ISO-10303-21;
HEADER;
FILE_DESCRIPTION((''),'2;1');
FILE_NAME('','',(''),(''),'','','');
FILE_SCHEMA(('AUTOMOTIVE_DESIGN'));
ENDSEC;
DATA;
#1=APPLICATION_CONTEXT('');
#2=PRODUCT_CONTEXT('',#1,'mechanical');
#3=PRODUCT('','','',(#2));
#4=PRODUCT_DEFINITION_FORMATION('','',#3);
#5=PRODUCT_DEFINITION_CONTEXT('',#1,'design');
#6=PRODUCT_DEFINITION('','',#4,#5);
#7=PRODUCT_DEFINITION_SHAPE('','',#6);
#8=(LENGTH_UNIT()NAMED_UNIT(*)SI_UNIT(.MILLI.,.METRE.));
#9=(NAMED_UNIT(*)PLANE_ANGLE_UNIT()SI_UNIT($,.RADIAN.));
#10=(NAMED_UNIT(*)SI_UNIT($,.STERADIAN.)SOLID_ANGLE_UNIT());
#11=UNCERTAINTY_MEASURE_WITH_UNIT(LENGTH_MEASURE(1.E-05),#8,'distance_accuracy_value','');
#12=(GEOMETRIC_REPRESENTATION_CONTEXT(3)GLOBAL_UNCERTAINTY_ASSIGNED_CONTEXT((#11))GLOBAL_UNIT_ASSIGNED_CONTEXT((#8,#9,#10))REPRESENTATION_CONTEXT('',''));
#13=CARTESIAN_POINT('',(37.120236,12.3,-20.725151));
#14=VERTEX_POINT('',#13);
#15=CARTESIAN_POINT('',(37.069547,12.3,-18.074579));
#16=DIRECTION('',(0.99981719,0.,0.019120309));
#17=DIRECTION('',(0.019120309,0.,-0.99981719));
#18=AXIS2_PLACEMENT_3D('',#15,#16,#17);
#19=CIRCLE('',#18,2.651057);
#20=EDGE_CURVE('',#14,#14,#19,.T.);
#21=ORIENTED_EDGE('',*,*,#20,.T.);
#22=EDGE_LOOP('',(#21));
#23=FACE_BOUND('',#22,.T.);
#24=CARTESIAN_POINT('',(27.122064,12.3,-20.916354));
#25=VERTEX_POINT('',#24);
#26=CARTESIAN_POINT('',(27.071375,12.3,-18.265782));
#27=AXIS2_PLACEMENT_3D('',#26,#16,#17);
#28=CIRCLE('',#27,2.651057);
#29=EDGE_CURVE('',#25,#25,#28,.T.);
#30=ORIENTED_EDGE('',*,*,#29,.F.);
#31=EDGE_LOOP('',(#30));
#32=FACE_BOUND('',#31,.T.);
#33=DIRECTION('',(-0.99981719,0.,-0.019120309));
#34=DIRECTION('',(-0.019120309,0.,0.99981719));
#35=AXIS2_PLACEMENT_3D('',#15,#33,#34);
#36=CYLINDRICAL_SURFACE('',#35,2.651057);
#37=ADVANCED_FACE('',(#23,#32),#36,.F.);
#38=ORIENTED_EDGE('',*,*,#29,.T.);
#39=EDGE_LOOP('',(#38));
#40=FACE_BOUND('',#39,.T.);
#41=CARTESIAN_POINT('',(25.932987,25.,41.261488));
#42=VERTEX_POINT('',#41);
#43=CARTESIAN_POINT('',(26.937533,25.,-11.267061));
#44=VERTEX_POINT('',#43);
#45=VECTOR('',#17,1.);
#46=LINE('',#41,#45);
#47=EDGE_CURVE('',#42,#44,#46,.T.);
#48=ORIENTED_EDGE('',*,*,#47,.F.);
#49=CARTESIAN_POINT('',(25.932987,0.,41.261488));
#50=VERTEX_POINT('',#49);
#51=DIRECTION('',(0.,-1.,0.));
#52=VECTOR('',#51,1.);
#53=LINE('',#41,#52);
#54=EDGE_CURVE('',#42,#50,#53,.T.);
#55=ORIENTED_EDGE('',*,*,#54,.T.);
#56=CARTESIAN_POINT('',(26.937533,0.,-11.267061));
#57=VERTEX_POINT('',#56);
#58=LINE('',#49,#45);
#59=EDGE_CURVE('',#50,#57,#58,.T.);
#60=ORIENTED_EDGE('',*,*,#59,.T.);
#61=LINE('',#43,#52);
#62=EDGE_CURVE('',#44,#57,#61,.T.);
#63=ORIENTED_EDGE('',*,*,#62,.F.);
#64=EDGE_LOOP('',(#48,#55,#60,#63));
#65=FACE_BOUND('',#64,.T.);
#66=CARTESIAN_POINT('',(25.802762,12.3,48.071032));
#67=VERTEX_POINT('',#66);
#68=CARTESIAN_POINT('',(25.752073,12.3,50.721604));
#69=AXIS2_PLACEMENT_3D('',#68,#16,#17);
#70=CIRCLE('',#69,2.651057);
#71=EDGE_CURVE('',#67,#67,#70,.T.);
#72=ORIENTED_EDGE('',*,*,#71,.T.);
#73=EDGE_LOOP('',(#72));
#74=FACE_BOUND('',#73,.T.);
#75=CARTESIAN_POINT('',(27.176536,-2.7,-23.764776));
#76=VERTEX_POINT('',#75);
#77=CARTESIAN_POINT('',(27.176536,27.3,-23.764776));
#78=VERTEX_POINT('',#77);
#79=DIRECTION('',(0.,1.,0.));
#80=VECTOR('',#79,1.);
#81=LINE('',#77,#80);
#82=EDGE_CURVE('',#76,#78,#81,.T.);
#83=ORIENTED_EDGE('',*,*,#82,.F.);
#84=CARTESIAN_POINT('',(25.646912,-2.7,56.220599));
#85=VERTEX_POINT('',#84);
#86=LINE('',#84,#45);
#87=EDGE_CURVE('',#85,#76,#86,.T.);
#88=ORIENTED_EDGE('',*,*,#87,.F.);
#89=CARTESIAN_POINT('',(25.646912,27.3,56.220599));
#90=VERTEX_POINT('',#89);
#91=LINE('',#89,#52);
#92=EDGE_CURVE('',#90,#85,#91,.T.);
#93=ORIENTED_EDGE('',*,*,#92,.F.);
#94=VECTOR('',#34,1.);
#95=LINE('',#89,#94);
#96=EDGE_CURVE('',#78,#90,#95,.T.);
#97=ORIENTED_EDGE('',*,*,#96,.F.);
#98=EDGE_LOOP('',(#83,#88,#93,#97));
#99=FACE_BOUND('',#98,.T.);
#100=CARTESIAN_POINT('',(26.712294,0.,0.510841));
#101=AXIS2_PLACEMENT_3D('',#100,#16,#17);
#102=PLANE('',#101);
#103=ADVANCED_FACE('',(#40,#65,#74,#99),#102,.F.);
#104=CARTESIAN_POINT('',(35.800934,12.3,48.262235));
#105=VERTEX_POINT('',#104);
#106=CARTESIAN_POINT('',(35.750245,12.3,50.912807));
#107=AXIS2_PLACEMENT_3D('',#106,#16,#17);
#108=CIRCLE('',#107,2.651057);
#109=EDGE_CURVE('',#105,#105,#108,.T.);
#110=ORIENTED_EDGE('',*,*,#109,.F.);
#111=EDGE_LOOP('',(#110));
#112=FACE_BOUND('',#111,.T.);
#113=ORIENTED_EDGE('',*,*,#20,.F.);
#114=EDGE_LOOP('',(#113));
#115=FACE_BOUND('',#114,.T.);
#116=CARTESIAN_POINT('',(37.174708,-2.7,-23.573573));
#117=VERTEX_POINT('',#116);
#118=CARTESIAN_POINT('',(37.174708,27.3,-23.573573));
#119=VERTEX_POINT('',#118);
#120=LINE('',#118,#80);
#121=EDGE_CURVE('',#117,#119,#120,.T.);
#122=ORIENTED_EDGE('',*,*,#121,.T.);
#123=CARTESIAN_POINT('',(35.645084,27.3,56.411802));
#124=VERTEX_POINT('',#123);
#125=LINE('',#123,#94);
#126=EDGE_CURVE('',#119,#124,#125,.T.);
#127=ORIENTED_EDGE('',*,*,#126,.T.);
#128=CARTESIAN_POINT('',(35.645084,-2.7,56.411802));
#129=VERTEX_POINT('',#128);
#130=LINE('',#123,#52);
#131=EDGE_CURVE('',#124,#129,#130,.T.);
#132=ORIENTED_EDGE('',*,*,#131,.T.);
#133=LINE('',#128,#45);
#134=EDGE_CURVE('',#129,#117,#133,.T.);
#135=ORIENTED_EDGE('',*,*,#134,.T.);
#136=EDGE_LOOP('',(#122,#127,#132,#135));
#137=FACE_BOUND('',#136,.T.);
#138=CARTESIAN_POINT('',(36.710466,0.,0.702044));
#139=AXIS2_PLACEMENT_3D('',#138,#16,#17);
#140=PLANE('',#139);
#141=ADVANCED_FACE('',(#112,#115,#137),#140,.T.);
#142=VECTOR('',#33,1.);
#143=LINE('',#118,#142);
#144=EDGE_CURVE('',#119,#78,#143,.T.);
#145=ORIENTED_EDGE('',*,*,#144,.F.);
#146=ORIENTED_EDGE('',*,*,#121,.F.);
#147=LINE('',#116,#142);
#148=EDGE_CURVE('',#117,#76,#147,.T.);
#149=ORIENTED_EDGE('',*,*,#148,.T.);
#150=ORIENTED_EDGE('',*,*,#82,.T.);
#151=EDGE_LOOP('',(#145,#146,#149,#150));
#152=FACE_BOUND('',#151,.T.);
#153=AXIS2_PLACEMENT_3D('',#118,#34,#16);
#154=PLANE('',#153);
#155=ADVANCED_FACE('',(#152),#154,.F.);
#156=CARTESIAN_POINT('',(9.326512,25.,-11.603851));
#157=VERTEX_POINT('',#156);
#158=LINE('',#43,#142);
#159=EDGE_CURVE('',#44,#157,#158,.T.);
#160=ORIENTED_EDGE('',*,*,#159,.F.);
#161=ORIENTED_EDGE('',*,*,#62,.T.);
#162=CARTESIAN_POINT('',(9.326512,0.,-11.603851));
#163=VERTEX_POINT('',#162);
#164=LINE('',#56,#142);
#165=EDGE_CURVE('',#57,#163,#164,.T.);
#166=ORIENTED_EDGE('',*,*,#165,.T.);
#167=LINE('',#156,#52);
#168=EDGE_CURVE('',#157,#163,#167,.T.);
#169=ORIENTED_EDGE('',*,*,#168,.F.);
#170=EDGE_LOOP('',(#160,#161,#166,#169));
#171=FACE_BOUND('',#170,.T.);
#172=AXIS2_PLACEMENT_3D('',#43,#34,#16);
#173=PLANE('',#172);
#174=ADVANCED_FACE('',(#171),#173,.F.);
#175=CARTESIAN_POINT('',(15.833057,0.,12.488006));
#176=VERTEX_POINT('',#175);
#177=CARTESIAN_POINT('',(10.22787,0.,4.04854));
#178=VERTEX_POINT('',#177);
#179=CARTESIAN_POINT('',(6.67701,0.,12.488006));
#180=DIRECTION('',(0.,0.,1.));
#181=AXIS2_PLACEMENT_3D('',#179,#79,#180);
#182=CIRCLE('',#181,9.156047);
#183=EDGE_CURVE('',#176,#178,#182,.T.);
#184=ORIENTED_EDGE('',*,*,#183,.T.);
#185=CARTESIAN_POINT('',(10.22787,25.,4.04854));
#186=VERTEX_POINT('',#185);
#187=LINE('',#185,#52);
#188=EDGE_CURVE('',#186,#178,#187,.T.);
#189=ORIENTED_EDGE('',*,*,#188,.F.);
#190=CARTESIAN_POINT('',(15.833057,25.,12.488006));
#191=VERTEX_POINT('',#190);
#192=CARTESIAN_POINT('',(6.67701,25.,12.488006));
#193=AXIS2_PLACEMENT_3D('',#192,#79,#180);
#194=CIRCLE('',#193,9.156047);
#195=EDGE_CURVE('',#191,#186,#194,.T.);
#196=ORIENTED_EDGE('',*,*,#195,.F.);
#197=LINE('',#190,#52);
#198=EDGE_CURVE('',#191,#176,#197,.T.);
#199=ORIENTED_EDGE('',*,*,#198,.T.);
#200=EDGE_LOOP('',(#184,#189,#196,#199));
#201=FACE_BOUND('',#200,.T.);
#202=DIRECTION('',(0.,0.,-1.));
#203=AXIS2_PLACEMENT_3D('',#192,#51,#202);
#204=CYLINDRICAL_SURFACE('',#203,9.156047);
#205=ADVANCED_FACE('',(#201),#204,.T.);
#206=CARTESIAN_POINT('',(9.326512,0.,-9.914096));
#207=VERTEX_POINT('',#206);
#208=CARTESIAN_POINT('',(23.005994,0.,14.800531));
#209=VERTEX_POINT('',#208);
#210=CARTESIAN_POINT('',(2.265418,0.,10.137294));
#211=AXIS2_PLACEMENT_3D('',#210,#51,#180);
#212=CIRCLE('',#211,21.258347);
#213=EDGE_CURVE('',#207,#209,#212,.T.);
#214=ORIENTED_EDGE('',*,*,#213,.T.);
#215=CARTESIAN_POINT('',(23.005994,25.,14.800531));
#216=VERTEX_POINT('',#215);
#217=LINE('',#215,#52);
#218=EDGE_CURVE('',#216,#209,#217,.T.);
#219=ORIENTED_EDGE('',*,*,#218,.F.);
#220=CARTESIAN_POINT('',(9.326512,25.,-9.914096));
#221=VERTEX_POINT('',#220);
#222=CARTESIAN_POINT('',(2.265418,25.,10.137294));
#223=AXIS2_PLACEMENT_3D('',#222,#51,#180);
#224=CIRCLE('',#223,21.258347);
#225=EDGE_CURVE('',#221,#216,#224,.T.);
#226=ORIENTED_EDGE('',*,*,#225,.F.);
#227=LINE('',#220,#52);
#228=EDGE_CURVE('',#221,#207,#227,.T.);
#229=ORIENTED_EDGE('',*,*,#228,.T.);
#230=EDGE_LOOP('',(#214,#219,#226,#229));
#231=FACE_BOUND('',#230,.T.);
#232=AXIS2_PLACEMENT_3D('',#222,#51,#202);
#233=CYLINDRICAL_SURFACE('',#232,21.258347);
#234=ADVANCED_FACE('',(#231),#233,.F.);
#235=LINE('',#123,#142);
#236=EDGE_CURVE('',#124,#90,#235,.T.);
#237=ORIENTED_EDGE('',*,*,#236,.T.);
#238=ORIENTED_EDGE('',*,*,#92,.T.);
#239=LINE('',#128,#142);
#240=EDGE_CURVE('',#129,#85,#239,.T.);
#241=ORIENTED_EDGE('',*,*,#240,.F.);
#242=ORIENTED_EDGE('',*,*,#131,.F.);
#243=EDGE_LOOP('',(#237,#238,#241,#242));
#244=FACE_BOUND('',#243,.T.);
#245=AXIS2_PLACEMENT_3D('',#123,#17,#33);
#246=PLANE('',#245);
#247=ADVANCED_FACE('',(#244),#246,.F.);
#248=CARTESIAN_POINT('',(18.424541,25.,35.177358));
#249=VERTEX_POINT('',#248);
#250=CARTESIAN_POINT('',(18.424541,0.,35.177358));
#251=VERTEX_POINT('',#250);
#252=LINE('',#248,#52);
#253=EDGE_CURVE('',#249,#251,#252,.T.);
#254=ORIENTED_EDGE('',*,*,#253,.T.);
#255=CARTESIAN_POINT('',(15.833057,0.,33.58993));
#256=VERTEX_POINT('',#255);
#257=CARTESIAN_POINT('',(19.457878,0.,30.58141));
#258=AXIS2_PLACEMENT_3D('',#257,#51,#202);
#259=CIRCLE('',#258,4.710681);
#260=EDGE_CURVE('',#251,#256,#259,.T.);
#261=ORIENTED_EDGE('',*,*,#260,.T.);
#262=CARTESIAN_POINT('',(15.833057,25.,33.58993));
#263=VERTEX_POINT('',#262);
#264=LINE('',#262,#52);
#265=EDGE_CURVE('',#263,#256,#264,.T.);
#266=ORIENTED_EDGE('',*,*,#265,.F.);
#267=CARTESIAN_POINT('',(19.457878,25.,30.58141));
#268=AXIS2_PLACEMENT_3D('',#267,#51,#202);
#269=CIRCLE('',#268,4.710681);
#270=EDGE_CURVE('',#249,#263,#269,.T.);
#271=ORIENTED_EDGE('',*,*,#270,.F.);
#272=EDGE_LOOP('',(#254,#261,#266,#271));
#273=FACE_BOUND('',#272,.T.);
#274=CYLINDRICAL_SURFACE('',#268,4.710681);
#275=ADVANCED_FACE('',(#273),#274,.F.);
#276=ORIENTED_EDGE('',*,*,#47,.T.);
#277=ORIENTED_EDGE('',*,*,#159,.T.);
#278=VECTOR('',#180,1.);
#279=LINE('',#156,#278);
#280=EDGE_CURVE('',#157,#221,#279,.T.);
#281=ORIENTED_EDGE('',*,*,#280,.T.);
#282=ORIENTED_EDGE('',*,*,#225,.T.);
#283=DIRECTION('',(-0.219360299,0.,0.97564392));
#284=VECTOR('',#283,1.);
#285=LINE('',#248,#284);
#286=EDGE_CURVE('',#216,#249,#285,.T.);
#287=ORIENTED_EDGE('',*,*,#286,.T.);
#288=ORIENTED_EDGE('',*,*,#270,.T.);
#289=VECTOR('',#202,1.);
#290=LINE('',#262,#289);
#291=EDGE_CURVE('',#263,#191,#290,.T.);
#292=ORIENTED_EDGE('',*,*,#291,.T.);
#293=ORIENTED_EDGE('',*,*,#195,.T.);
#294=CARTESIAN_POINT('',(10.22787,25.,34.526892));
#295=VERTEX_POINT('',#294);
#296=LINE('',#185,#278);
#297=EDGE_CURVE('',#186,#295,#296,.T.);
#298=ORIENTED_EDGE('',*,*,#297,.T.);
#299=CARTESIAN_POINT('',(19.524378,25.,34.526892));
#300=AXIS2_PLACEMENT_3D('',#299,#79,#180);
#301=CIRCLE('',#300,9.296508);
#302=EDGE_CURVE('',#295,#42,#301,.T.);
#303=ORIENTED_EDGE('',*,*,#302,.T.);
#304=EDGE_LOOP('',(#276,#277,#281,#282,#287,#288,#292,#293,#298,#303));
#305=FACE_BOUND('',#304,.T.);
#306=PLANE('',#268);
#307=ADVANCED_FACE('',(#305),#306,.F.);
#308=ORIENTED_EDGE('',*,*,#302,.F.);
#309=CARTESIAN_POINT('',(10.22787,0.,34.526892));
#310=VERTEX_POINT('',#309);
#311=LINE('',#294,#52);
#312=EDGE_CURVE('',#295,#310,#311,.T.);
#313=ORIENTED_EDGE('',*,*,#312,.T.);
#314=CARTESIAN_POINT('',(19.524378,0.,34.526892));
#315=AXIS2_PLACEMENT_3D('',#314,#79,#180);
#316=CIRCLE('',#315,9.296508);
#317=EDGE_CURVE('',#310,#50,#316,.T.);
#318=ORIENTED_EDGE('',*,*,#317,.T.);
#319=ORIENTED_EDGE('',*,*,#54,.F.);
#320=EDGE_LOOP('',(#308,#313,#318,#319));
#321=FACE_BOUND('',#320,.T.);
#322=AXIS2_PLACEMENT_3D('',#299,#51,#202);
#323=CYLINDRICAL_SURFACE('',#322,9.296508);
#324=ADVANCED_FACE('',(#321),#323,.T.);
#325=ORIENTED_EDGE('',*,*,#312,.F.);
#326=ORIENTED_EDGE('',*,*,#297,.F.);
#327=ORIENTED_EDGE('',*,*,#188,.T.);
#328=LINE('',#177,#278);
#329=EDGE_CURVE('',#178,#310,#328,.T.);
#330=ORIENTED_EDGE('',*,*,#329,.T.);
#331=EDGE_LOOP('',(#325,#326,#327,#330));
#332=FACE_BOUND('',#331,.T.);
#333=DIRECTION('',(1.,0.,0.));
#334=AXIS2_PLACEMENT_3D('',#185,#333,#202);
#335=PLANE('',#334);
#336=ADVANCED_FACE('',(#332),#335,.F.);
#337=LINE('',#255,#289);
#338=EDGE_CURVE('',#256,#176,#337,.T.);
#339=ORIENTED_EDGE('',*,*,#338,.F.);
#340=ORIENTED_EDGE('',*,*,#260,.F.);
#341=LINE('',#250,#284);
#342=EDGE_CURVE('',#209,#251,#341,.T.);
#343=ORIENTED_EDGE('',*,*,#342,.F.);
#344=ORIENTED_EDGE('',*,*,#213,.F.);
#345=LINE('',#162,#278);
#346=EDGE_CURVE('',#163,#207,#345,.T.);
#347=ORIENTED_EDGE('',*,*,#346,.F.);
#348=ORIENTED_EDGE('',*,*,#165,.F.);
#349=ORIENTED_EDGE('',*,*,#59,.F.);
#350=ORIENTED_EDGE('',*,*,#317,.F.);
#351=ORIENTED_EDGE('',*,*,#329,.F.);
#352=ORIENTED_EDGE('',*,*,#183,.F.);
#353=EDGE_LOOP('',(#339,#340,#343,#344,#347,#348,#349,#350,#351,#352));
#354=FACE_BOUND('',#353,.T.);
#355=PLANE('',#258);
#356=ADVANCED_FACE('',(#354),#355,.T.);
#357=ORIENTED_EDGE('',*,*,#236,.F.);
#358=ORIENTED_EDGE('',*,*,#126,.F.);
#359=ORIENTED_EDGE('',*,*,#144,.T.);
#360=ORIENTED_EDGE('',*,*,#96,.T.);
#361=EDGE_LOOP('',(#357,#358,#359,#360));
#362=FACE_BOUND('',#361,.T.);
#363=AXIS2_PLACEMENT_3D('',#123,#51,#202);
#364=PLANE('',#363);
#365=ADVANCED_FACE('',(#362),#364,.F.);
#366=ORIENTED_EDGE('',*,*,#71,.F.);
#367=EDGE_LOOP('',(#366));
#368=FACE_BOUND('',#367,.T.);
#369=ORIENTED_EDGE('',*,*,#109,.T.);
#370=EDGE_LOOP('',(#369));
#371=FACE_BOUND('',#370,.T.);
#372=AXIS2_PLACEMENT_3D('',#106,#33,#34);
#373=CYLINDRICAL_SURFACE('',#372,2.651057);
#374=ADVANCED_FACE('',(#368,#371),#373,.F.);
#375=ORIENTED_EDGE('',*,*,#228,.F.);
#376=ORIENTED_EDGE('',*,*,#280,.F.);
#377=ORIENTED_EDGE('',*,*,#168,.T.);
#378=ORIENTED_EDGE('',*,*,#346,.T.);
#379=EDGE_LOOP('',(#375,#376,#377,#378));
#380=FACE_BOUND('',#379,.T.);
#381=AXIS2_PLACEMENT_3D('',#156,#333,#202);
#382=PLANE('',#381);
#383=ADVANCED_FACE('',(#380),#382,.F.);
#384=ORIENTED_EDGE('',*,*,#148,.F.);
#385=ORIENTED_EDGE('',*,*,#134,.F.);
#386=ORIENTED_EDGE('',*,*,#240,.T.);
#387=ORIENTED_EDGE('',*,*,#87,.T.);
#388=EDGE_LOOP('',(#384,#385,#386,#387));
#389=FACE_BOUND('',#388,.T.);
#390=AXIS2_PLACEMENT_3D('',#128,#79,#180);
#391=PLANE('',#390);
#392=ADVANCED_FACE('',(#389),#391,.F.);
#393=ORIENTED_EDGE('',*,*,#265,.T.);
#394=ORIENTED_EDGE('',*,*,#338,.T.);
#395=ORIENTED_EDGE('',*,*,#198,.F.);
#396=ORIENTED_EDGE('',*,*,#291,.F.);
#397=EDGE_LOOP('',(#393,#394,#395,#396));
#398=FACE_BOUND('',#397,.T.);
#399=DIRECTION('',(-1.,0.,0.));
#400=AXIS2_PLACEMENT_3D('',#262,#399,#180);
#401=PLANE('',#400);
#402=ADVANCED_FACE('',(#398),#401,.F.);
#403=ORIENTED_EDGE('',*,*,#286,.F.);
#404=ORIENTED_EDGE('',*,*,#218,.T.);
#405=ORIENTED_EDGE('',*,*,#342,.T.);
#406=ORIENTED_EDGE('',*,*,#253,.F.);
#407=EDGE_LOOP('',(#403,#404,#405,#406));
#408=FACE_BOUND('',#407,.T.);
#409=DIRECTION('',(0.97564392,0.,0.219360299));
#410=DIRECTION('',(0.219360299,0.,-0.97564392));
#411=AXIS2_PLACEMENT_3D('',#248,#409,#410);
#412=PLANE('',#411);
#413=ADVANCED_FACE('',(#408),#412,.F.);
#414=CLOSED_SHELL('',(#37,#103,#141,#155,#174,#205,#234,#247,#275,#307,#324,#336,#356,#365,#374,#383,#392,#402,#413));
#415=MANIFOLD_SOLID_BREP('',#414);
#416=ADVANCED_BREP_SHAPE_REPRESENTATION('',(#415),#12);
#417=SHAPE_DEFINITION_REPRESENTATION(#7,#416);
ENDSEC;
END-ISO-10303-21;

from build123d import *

# Parameters (mm, degrees)
BOSS_EXTRUDE1_DEPTH = 25
SKETCH4_W           = 80
SKETCH4_H           = 30
SKETCH4_R           = 2.651056997
BOSS_EXTRUDE4_DEPTH = 10


with BuildPart() as part:
    # Sketch1 → Boss-Extrude1 (new body)
    with BuildSketch(Plane(origin=(0, 0, 0), x_dir=(1, 0, 0), z_dir=(0, 1, 0))):
        with BuildLine():
            Line((18.424541272, -35.177357689), (23.005994318, -14.800530945))
            ThreePointArc((23.005994318, -14.800530945), (20.864784183, 0.157407238), (9.326512498, 9.914096331))
            Line((9.326512498, 9.914096331), (9.326512498, 11.603851187))
            Line((9.326512498, 11.603851187), (26.937532501, 11.267061467))
            Line((26.937532501, 11.267061467), (25.932986747, -41.261487659))
            ThreePointArc((25.932986747, -41.261487659), (15.860542773, -43.070975474), (10.227869895, -34.526891555))
            Line((10.227869895, -34.526891555), (10.227869895, -4.048540158))
            ThreePointArc((10.227869895, -4.048540158), (14.304101202, -7.422369294), (15.833057178, -12.488006305))
            Line((15.833057178, -12.488006305), (15.833057178, -33.589930418))
            ThreePointArc((15.833057178, -33.589930418), (16.997270485, -34.598365473), (18.424541272, -35.177357689))
        make_face()
    extrude(amount=BOSS_EXTRUDE1_DEPTH)

    # Sketch4 → Boss-Extrude4 (add)
    with BuildSketch(Plane(origin=(26.712294191, 0, 0.510840717), x_dir=(0.0191203094367821, 0, -0.9998171901738045), z_dir=(0.9998171901738045, 0, 0.0191203094367821))):
        with Locations((-15.719944306, 12.3)):
            Rectangle(SKETCH4_W, SKETCH4_H)
        with Locations((-50.219944306, 12.3)):
            Circle(SKETCH4_R, mode=Mode.SUBTRACT)
        with Locations((18.780055694, 12.3)):
            Circle(SKETCH4_R, mode=Mode.SUBTRACT)
    extrude(amount=BOSS_EXTRUDE4_DEPTH)


solid = part.part
